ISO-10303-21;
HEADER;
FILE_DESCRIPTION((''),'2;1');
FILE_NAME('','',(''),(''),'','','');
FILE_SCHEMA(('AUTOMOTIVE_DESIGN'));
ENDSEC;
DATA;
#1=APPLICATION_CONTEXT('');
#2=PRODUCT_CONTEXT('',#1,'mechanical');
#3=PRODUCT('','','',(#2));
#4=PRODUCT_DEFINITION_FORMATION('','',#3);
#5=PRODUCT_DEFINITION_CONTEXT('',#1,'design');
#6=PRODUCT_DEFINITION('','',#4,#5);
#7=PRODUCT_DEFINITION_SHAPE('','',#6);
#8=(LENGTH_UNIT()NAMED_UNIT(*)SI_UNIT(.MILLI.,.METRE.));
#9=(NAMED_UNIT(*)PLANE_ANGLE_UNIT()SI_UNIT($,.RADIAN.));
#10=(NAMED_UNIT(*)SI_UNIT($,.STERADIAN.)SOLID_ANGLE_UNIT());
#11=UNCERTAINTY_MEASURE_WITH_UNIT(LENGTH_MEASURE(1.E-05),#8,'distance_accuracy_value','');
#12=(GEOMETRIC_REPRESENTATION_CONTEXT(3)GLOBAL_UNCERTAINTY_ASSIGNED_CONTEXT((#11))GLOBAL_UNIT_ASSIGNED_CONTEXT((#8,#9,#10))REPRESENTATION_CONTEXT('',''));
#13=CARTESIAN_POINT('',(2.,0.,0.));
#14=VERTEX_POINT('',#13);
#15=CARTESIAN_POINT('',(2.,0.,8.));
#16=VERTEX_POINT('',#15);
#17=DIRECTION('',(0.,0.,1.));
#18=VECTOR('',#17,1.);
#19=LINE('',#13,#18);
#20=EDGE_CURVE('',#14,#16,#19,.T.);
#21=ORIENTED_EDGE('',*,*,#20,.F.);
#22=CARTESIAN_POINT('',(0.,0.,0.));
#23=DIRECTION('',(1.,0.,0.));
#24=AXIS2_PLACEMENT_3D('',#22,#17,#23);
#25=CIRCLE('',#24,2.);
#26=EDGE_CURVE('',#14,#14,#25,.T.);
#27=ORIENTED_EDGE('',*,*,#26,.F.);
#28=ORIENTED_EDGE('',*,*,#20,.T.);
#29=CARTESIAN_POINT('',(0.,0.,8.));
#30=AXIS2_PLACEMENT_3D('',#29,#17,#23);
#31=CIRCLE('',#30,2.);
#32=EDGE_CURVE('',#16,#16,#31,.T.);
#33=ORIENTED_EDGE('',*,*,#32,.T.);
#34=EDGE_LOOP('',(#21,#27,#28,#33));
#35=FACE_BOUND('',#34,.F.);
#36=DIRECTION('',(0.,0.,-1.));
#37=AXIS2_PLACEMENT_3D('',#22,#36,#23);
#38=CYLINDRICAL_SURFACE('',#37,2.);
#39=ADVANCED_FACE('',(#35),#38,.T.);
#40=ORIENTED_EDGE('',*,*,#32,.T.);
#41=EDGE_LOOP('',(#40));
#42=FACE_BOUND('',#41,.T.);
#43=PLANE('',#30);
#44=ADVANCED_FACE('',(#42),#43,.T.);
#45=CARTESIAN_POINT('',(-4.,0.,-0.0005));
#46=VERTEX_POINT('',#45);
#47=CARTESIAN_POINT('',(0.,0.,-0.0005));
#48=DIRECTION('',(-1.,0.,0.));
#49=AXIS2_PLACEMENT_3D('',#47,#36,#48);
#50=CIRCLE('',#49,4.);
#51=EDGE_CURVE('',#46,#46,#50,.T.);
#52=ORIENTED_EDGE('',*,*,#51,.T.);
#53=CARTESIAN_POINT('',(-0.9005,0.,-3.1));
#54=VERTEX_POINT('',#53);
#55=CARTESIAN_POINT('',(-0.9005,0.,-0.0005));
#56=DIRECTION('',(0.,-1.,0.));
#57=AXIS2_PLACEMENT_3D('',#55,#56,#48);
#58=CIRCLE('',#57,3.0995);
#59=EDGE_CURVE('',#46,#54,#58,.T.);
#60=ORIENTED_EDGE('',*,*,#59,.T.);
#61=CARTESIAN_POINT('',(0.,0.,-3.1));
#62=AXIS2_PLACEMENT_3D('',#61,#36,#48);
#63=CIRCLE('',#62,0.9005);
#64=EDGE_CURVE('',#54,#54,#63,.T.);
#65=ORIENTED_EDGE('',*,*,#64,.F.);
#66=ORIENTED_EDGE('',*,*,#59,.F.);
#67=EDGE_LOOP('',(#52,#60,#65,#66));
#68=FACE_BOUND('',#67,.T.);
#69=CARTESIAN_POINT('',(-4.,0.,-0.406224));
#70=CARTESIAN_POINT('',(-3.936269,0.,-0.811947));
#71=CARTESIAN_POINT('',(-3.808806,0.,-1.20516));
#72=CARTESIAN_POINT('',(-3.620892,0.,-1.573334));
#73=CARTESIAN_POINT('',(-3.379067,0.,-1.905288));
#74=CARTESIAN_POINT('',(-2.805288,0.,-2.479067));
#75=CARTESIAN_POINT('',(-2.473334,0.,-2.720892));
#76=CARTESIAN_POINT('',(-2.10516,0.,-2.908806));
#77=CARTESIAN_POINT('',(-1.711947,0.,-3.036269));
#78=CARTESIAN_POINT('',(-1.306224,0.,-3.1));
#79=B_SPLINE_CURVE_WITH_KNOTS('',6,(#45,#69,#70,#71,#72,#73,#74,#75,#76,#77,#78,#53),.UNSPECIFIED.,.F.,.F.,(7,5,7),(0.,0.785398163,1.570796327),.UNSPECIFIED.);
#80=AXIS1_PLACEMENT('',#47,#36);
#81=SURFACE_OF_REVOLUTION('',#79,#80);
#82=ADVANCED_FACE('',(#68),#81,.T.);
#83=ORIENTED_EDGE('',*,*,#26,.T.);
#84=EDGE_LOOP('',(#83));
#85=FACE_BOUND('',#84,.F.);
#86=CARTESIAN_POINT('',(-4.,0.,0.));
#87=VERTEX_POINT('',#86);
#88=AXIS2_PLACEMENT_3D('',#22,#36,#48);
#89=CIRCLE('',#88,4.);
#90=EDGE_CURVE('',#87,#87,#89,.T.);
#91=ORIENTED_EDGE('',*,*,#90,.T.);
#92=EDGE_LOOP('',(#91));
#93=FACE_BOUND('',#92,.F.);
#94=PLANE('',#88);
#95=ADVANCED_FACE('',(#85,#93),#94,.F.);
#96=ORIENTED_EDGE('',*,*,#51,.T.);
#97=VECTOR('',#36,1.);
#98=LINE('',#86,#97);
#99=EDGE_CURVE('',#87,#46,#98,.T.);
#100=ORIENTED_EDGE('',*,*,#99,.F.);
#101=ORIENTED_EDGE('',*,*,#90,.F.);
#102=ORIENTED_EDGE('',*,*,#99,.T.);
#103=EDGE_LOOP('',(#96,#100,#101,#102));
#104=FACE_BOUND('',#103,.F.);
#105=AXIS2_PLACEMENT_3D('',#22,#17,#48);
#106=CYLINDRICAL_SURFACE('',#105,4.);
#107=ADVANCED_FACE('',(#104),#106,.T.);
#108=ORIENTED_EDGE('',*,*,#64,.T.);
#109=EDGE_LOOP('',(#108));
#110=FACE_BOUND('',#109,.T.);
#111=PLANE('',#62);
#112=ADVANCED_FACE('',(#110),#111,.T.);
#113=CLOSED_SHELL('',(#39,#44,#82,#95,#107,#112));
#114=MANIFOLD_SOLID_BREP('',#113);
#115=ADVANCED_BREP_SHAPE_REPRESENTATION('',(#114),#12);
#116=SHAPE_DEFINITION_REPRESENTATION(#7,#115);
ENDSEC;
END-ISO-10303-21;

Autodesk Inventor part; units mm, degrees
ref_plane "YZ Plane" through (0, 0, 0) normal (1, 0, 0) x (0, 1, 0)
ref_plane "XZ Plane" through (0, 0, 0) normal (0, 1, 0) x (-1, 0, 0)
ref_plane "XY Plane" through (0, 0, 0) normal (0, 0, 1) x (1, 0, 0)
sketch "スケッチ1" plane through (0, 0, 0) normal (0, 0, 1) x (1, 0, 0)
  circle A0 centre (0, 0) radius 2
  dimension "d1" = 4
extrude "押し出し1" add sketch "スケッチ1" along normal blind 8
sketch "スケッチ2" plane through (0, 0, 0) normal (0, 0, -1) x (-1, 0, 0)
  circle A0 centre (0, 0) radius 2 projected
  circle A1 centre (0, 0) radius 4
  dimension "d4" = 8
extrude "押し出し2" add sketch "スケッチ2" along normal blind 3.1 contours A0 | A1
fillet "フィレット1" radius 3.1 1 edges at (4, 0, -3.1)
thread "ねじ1" size "M4x0.7" class "6g" standard "ANSI Metric M Profile" full length
properties part number "ネジ鍋m4,08" material "鋼、高強度、低合金"
